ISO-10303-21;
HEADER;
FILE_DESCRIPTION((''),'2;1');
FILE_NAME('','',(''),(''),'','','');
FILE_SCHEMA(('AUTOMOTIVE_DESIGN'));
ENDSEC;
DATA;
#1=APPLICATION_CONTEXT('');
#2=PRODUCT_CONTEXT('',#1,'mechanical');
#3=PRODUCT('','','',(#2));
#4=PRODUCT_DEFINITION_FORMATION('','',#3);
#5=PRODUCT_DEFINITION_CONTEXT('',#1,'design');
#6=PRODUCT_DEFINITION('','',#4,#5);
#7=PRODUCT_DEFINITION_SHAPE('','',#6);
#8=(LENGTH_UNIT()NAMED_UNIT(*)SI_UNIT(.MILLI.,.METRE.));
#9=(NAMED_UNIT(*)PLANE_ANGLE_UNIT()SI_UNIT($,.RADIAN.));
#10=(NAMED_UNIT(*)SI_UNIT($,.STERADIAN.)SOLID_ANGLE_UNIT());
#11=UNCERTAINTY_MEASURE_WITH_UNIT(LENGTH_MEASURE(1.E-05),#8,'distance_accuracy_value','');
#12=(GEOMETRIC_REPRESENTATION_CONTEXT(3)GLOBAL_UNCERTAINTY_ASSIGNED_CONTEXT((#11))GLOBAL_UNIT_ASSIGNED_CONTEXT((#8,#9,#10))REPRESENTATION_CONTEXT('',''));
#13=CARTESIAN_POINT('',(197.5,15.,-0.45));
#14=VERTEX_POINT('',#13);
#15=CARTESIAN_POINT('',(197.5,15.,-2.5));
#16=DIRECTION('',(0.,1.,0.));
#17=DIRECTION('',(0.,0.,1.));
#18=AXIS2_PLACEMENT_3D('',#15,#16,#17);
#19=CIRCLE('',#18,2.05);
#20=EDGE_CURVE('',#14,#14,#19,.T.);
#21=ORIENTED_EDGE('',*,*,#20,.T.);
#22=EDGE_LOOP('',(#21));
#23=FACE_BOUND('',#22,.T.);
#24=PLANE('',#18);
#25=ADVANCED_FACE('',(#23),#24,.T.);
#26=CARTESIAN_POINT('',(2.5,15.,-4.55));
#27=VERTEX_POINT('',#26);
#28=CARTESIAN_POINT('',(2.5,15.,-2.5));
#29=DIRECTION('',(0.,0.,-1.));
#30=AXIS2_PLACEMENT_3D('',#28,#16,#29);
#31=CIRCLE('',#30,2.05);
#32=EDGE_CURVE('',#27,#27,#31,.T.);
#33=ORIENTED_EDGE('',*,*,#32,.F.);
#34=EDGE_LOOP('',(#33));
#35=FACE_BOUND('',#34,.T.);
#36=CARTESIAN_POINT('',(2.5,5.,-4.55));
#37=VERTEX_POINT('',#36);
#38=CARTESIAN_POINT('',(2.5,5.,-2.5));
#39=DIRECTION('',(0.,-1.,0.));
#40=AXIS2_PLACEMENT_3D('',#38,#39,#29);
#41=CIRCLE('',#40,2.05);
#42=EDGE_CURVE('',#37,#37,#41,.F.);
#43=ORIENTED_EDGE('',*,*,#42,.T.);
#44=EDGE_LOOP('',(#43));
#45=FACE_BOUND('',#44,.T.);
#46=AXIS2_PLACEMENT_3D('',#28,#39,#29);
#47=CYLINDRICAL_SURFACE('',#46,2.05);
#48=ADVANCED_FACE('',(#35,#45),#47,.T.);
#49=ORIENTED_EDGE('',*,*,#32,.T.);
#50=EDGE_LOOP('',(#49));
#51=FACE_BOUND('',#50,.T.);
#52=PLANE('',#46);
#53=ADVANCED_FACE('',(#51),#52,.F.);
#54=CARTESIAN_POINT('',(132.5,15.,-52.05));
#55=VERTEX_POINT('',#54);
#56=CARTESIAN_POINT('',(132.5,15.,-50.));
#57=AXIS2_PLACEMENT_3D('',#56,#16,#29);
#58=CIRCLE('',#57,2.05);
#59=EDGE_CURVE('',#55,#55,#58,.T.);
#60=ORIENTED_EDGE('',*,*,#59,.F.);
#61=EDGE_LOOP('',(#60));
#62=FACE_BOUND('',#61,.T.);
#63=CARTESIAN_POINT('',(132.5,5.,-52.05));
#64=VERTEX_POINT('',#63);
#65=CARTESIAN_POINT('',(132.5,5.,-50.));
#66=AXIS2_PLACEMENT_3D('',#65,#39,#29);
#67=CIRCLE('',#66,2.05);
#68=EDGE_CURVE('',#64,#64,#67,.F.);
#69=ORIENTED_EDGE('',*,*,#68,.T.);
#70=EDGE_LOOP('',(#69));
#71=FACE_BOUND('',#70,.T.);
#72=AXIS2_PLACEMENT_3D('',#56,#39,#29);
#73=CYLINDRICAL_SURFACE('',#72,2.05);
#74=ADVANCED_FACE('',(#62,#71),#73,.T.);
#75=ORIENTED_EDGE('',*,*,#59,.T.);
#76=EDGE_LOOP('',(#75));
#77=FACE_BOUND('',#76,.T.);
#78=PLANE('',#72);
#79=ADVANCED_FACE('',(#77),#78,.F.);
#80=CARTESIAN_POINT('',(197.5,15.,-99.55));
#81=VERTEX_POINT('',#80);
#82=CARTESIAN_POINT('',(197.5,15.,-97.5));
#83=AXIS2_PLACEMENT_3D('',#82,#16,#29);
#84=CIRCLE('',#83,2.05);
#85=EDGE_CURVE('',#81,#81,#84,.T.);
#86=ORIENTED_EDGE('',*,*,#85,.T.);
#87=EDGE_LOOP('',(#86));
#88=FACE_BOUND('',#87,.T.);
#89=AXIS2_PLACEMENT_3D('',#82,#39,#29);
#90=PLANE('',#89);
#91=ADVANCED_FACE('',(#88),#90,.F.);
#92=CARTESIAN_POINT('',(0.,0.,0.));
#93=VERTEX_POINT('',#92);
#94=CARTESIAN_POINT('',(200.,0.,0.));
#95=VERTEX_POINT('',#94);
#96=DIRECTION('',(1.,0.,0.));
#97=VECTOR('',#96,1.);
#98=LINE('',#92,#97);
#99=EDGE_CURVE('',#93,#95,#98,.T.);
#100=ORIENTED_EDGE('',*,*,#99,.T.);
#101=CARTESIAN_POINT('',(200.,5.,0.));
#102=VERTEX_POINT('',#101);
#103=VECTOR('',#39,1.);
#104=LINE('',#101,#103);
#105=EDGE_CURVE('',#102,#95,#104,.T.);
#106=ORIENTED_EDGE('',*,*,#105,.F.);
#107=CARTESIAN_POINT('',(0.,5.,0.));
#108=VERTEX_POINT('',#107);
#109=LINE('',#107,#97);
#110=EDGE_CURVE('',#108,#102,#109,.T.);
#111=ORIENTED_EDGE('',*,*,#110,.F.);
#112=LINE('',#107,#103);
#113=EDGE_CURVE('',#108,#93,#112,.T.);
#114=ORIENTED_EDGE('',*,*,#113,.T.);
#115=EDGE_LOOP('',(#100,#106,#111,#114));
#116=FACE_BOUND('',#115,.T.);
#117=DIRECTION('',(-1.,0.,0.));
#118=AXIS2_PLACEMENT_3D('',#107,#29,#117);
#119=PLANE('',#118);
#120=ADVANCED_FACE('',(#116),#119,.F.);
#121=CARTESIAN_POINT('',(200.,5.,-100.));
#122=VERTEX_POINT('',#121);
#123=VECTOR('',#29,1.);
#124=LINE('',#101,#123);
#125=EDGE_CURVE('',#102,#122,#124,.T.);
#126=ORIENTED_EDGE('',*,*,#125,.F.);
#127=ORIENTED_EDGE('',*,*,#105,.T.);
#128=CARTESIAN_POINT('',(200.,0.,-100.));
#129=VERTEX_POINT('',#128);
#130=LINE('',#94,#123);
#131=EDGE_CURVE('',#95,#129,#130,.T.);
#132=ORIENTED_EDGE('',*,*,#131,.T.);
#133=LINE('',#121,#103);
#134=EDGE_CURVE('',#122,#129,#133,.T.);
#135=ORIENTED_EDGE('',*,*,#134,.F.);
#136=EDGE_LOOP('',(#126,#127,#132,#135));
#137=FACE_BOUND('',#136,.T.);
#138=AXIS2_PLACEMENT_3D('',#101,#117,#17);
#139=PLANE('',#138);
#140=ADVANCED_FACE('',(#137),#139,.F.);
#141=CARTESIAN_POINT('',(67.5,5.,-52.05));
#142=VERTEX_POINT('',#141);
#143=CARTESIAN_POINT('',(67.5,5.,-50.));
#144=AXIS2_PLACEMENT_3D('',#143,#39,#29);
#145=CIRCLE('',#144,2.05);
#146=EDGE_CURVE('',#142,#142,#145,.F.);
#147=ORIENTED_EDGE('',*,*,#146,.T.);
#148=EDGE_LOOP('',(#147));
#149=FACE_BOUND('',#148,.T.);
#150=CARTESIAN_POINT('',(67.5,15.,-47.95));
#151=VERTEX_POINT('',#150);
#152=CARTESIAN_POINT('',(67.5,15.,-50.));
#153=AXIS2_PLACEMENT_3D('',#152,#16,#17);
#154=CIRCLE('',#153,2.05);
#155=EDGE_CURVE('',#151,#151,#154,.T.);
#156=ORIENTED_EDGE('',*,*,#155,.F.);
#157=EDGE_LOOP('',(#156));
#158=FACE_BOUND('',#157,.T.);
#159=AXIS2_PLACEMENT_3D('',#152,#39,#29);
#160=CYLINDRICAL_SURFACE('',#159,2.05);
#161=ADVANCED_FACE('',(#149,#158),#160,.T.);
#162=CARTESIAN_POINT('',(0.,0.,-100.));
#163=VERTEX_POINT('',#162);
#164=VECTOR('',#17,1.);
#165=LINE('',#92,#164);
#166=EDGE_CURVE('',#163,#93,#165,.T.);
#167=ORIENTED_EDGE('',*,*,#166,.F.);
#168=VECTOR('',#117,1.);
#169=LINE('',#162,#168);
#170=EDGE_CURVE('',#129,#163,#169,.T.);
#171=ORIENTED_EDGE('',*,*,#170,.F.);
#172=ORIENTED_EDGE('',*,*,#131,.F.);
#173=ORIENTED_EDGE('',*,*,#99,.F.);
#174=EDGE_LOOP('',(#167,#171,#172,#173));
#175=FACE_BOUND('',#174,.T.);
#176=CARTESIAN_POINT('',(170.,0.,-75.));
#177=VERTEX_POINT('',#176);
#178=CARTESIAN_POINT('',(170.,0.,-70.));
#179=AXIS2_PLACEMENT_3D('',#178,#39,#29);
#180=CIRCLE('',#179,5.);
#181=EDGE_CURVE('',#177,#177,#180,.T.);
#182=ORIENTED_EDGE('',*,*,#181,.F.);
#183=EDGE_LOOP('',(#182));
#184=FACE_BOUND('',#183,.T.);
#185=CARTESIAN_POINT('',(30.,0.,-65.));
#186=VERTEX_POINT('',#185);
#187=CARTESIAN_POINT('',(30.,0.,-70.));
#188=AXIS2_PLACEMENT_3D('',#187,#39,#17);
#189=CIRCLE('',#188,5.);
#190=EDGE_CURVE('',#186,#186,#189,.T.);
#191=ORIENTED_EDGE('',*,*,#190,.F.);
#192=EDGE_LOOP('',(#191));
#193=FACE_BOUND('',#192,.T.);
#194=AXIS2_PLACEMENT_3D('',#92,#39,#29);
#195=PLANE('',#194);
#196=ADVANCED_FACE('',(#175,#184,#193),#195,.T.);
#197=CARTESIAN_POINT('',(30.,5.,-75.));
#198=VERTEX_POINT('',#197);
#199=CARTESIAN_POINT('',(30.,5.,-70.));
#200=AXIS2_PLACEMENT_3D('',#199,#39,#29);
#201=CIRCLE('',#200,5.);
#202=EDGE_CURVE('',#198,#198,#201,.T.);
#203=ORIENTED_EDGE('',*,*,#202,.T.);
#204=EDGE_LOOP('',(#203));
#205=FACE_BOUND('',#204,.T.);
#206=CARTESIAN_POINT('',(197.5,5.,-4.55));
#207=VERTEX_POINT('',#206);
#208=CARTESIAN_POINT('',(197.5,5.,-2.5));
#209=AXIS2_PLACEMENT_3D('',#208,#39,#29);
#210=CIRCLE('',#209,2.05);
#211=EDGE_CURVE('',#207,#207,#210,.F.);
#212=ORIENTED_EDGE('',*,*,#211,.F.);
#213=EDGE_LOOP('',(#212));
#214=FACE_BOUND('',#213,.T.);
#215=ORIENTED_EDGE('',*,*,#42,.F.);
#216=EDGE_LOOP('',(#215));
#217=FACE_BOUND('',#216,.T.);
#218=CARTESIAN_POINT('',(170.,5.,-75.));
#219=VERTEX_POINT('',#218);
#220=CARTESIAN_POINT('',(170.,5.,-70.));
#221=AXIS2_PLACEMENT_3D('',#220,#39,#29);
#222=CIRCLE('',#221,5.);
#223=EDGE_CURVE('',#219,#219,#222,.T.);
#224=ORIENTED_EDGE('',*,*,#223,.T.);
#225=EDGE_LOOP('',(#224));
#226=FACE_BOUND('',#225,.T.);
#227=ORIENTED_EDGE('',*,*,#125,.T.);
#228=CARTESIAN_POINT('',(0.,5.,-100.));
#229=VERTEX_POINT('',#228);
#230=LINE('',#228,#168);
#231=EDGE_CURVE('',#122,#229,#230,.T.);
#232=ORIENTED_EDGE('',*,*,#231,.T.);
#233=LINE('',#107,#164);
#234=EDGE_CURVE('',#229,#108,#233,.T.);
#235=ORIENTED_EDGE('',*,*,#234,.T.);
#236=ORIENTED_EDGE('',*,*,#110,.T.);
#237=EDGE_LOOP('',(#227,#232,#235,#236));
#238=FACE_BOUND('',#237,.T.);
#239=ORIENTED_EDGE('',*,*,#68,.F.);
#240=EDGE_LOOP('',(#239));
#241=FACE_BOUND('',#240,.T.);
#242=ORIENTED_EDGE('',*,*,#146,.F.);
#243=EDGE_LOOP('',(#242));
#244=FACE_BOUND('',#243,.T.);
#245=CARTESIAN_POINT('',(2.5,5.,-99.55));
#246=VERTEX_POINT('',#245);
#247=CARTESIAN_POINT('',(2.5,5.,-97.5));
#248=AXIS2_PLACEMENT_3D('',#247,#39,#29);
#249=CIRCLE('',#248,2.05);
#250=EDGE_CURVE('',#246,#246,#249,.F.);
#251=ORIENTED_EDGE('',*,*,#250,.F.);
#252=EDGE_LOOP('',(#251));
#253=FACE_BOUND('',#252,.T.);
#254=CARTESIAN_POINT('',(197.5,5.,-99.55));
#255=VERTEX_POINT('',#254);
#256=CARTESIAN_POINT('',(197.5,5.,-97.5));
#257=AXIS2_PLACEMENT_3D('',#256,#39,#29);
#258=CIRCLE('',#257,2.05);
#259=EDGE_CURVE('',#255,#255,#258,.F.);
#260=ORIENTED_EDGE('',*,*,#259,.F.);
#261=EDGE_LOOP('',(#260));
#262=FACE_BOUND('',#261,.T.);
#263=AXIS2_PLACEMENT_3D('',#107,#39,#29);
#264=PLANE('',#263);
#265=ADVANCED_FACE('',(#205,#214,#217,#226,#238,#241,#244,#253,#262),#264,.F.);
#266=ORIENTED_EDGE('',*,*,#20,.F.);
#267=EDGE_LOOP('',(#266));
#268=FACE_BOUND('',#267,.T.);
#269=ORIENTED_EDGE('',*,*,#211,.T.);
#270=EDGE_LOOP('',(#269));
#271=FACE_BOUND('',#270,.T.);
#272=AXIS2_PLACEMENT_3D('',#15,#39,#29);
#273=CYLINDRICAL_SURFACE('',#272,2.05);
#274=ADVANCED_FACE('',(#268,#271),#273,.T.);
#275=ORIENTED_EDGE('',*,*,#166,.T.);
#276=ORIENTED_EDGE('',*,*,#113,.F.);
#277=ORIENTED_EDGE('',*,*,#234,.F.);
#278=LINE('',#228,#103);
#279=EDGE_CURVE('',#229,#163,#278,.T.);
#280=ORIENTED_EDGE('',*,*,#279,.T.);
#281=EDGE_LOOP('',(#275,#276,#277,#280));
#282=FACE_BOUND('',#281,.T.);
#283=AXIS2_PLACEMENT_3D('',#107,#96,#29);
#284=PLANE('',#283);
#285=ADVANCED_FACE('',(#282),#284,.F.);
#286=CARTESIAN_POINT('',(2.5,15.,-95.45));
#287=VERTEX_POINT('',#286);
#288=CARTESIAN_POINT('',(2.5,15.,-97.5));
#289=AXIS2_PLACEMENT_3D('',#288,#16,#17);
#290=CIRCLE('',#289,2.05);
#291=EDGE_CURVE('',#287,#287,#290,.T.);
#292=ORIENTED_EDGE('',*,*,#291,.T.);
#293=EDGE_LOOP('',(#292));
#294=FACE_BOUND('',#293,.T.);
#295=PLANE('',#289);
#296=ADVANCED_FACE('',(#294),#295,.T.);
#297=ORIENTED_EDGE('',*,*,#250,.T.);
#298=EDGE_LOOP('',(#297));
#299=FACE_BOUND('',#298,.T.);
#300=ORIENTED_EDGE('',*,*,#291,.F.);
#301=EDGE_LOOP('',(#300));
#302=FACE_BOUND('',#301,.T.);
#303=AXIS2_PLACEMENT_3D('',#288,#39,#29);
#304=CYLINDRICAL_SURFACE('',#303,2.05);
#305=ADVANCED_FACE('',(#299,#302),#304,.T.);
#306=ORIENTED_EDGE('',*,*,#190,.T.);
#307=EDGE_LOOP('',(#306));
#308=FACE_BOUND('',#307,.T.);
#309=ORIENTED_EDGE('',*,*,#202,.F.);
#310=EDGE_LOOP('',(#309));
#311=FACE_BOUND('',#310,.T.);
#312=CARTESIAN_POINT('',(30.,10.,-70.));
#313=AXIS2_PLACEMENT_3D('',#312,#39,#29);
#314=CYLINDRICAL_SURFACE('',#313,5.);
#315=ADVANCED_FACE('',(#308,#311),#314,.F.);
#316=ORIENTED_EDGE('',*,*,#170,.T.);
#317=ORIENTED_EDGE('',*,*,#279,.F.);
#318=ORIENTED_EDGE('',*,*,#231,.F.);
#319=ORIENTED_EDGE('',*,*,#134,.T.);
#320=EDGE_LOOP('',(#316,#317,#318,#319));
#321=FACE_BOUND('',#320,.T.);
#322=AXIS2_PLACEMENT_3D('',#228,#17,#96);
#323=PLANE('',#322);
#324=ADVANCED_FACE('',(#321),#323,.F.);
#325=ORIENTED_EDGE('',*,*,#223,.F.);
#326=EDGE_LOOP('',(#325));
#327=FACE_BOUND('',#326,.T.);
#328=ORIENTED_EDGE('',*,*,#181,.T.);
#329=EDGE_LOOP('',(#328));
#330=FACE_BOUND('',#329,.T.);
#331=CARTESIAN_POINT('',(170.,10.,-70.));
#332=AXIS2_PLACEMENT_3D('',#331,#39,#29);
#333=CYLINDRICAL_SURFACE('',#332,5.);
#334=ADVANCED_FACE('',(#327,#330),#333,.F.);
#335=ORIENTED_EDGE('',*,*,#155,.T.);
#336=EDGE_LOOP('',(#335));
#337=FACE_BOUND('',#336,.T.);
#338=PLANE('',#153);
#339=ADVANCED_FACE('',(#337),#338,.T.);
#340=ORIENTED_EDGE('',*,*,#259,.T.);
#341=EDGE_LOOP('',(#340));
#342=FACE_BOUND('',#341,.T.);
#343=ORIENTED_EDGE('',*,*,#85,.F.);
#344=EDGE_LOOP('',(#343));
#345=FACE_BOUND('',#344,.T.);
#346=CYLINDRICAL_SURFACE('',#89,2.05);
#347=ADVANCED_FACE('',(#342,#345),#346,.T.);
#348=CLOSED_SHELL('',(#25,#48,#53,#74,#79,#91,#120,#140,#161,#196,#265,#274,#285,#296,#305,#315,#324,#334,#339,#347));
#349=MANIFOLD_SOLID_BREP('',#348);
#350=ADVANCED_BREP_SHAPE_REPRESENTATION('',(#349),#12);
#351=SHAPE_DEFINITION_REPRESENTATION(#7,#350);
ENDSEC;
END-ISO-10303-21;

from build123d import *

# Parameters (mm, degrees)
SKETCH1_W           = 200
SKETCH1_H           = 100
BOSS_EXTRUDE1_DEPTH = 5
SKETCH2_R           = 2.05
BOSS_EXTRUDE2_DEPTH = 10
SKETCH3_R           = 5
CUT_EXTRUDE1_DEPTH  = 10


with BuildPart() as part:
    # Sketch1 → Boss-Extrude1 (new body)
    with BuildSketch(Plane(origin=(0, 0, 0), x_dir=(1, 0, 0), z_dir=(0, 1, 0))):
        with Locations((100, 50)):
            Rectangle(SKETCH1_W, SKETCH1_H)
    extrude(amount=BOSS_EXTRUDE1_DEPTH)

    # Sketch2 → Boss-Extrude2 (add)
    with BuildSketch(Plane(origin=(0, 5, 0), x_dir=(1, 0, 0), z_dir=(0, 1, 0))):
        with Locations((2.5, 97.5)):
            Circle(SKETCH2_R)
        with Locations((197.5, 97.5)):
            Circle(SKETCH2_R)
        with Locations((197.5, 2.5)):
            Circle(SKETCH2_R)
        with Locations((2.5, 2.5)):
            Circle(SKETCH2_R)
        with Locations((67.5, 50)):
            Circle(SKETCH2_R)
        with Locations((132.5, 50)):
            Circle(SKETCH2_R)
    extrude(amount=BOSS_EXTRUDE2_DEPTH)

    # Sketch3 → Cut-Extrude1 (cut)
    with BuildSketch(Plane(origin=(0, 0, 0), x_dir=(-1, 0, 0), z_dir=(0, -1, 0))):
        with Locations((-170, 70)):
            Circle(SKETCH3_R)
        with Locations((-30, 70)):
            Circle(SKETCH3_R)
    extrude(amount=-CUT_EXTRUDE1_DEPTH, mode=Mode.SUBTRACT)


solid = part.part
